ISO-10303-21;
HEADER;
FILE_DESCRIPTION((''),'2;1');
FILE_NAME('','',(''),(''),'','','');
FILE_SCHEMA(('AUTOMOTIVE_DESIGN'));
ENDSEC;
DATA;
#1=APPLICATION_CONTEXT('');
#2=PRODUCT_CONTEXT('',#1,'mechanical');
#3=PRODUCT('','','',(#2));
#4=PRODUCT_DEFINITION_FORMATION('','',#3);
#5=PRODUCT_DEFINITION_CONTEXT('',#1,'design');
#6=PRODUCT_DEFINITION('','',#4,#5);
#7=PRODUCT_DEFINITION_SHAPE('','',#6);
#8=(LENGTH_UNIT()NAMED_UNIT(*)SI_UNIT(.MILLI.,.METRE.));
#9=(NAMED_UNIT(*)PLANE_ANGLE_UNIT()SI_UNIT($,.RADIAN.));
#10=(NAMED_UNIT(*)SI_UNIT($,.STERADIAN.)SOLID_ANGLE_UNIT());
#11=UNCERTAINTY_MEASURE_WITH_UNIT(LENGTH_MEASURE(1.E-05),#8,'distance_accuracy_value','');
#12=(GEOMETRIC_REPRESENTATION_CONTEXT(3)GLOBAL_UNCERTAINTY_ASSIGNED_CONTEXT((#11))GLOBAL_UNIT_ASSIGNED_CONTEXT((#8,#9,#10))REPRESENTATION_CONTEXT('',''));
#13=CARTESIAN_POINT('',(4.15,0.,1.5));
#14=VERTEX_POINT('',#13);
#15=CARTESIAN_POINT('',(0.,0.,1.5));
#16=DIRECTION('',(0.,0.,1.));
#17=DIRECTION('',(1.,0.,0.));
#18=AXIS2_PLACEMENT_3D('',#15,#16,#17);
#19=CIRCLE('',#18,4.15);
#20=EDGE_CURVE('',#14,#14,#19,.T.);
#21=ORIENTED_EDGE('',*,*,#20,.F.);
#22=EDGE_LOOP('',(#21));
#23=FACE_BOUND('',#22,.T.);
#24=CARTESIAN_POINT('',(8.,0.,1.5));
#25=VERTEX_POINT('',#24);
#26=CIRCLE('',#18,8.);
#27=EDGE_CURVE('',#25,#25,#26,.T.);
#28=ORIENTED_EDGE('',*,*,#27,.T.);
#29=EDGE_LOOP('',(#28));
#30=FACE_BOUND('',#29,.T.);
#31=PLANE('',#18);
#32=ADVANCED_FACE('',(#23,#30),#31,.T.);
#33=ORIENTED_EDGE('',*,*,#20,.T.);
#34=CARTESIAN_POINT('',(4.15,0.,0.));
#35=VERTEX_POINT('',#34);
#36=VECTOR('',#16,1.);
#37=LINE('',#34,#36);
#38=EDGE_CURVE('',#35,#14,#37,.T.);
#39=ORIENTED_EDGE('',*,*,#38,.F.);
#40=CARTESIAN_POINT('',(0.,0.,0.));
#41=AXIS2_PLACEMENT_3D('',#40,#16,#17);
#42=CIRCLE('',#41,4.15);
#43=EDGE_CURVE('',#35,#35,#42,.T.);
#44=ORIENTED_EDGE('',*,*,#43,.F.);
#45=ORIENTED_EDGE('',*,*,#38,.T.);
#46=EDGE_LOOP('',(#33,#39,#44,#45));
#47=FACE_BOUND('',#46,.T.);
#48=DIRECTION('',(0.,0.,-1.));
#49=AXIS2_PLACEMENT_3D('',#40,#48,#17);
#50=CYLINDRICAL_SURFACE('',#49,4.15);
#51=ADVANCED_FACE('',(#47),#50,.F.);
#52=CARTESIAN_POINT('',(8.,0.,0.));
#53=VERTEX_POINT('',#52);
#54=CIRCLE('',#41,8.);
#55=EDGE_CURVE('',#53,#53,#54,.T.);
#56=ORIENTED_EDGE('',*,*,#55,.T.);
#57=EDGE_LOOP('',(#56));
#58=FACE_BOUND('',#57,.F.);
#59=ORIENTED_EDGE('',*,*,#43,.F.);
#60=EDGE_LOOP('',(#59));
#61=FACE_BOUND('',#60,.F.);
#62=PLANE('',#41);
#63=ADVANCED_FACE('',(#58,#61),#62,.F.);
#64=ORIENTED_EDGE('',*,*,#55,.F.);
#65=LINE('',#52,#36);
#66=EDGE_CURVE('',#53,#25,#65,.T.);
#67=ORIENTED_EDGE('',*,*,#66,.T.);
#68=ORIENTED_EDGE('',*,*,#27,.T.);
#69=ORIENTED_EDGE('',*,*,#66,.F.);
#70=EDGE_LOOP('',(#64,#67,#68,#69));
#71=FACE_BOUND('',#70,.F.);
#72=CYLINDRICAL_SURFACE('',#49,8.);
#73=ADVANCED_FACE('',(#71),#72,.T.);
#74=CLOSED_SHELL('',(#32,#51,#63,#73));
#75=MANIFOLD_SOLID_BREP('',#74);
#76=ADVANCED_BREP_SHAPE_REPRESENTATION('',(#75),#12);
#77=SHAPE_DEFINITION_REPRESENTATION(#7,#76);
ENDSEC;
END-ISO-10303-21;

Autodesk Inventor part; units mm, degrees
ref_plane "YZ Plane" through (0, 0, 0) normal (1, 0, 0) x (0, 1, 0)
ref_plane "XZ Plane" through (0, 0, 0) normal (0, 1, 0) x (-1, 0, 0)
ref_plane "XY Plane" through (0, 0, 0) normal (0, 0, 1) x (1, 0, 0)
sketch "Sketch1" plane through (0, 0, 0) normal (0, 0, 1) x (1, 0, 0)
  circle A0 centre (0, 0) radius 4.15
  circle A1 centre (0, 0) radius 8
  dimension "d0" = 8.3
  dimension "d2" = 16
extrude "Extrusion1" add sketch "Sketch1" along normal blind 1.5
properties part number "M8 WASHER"
